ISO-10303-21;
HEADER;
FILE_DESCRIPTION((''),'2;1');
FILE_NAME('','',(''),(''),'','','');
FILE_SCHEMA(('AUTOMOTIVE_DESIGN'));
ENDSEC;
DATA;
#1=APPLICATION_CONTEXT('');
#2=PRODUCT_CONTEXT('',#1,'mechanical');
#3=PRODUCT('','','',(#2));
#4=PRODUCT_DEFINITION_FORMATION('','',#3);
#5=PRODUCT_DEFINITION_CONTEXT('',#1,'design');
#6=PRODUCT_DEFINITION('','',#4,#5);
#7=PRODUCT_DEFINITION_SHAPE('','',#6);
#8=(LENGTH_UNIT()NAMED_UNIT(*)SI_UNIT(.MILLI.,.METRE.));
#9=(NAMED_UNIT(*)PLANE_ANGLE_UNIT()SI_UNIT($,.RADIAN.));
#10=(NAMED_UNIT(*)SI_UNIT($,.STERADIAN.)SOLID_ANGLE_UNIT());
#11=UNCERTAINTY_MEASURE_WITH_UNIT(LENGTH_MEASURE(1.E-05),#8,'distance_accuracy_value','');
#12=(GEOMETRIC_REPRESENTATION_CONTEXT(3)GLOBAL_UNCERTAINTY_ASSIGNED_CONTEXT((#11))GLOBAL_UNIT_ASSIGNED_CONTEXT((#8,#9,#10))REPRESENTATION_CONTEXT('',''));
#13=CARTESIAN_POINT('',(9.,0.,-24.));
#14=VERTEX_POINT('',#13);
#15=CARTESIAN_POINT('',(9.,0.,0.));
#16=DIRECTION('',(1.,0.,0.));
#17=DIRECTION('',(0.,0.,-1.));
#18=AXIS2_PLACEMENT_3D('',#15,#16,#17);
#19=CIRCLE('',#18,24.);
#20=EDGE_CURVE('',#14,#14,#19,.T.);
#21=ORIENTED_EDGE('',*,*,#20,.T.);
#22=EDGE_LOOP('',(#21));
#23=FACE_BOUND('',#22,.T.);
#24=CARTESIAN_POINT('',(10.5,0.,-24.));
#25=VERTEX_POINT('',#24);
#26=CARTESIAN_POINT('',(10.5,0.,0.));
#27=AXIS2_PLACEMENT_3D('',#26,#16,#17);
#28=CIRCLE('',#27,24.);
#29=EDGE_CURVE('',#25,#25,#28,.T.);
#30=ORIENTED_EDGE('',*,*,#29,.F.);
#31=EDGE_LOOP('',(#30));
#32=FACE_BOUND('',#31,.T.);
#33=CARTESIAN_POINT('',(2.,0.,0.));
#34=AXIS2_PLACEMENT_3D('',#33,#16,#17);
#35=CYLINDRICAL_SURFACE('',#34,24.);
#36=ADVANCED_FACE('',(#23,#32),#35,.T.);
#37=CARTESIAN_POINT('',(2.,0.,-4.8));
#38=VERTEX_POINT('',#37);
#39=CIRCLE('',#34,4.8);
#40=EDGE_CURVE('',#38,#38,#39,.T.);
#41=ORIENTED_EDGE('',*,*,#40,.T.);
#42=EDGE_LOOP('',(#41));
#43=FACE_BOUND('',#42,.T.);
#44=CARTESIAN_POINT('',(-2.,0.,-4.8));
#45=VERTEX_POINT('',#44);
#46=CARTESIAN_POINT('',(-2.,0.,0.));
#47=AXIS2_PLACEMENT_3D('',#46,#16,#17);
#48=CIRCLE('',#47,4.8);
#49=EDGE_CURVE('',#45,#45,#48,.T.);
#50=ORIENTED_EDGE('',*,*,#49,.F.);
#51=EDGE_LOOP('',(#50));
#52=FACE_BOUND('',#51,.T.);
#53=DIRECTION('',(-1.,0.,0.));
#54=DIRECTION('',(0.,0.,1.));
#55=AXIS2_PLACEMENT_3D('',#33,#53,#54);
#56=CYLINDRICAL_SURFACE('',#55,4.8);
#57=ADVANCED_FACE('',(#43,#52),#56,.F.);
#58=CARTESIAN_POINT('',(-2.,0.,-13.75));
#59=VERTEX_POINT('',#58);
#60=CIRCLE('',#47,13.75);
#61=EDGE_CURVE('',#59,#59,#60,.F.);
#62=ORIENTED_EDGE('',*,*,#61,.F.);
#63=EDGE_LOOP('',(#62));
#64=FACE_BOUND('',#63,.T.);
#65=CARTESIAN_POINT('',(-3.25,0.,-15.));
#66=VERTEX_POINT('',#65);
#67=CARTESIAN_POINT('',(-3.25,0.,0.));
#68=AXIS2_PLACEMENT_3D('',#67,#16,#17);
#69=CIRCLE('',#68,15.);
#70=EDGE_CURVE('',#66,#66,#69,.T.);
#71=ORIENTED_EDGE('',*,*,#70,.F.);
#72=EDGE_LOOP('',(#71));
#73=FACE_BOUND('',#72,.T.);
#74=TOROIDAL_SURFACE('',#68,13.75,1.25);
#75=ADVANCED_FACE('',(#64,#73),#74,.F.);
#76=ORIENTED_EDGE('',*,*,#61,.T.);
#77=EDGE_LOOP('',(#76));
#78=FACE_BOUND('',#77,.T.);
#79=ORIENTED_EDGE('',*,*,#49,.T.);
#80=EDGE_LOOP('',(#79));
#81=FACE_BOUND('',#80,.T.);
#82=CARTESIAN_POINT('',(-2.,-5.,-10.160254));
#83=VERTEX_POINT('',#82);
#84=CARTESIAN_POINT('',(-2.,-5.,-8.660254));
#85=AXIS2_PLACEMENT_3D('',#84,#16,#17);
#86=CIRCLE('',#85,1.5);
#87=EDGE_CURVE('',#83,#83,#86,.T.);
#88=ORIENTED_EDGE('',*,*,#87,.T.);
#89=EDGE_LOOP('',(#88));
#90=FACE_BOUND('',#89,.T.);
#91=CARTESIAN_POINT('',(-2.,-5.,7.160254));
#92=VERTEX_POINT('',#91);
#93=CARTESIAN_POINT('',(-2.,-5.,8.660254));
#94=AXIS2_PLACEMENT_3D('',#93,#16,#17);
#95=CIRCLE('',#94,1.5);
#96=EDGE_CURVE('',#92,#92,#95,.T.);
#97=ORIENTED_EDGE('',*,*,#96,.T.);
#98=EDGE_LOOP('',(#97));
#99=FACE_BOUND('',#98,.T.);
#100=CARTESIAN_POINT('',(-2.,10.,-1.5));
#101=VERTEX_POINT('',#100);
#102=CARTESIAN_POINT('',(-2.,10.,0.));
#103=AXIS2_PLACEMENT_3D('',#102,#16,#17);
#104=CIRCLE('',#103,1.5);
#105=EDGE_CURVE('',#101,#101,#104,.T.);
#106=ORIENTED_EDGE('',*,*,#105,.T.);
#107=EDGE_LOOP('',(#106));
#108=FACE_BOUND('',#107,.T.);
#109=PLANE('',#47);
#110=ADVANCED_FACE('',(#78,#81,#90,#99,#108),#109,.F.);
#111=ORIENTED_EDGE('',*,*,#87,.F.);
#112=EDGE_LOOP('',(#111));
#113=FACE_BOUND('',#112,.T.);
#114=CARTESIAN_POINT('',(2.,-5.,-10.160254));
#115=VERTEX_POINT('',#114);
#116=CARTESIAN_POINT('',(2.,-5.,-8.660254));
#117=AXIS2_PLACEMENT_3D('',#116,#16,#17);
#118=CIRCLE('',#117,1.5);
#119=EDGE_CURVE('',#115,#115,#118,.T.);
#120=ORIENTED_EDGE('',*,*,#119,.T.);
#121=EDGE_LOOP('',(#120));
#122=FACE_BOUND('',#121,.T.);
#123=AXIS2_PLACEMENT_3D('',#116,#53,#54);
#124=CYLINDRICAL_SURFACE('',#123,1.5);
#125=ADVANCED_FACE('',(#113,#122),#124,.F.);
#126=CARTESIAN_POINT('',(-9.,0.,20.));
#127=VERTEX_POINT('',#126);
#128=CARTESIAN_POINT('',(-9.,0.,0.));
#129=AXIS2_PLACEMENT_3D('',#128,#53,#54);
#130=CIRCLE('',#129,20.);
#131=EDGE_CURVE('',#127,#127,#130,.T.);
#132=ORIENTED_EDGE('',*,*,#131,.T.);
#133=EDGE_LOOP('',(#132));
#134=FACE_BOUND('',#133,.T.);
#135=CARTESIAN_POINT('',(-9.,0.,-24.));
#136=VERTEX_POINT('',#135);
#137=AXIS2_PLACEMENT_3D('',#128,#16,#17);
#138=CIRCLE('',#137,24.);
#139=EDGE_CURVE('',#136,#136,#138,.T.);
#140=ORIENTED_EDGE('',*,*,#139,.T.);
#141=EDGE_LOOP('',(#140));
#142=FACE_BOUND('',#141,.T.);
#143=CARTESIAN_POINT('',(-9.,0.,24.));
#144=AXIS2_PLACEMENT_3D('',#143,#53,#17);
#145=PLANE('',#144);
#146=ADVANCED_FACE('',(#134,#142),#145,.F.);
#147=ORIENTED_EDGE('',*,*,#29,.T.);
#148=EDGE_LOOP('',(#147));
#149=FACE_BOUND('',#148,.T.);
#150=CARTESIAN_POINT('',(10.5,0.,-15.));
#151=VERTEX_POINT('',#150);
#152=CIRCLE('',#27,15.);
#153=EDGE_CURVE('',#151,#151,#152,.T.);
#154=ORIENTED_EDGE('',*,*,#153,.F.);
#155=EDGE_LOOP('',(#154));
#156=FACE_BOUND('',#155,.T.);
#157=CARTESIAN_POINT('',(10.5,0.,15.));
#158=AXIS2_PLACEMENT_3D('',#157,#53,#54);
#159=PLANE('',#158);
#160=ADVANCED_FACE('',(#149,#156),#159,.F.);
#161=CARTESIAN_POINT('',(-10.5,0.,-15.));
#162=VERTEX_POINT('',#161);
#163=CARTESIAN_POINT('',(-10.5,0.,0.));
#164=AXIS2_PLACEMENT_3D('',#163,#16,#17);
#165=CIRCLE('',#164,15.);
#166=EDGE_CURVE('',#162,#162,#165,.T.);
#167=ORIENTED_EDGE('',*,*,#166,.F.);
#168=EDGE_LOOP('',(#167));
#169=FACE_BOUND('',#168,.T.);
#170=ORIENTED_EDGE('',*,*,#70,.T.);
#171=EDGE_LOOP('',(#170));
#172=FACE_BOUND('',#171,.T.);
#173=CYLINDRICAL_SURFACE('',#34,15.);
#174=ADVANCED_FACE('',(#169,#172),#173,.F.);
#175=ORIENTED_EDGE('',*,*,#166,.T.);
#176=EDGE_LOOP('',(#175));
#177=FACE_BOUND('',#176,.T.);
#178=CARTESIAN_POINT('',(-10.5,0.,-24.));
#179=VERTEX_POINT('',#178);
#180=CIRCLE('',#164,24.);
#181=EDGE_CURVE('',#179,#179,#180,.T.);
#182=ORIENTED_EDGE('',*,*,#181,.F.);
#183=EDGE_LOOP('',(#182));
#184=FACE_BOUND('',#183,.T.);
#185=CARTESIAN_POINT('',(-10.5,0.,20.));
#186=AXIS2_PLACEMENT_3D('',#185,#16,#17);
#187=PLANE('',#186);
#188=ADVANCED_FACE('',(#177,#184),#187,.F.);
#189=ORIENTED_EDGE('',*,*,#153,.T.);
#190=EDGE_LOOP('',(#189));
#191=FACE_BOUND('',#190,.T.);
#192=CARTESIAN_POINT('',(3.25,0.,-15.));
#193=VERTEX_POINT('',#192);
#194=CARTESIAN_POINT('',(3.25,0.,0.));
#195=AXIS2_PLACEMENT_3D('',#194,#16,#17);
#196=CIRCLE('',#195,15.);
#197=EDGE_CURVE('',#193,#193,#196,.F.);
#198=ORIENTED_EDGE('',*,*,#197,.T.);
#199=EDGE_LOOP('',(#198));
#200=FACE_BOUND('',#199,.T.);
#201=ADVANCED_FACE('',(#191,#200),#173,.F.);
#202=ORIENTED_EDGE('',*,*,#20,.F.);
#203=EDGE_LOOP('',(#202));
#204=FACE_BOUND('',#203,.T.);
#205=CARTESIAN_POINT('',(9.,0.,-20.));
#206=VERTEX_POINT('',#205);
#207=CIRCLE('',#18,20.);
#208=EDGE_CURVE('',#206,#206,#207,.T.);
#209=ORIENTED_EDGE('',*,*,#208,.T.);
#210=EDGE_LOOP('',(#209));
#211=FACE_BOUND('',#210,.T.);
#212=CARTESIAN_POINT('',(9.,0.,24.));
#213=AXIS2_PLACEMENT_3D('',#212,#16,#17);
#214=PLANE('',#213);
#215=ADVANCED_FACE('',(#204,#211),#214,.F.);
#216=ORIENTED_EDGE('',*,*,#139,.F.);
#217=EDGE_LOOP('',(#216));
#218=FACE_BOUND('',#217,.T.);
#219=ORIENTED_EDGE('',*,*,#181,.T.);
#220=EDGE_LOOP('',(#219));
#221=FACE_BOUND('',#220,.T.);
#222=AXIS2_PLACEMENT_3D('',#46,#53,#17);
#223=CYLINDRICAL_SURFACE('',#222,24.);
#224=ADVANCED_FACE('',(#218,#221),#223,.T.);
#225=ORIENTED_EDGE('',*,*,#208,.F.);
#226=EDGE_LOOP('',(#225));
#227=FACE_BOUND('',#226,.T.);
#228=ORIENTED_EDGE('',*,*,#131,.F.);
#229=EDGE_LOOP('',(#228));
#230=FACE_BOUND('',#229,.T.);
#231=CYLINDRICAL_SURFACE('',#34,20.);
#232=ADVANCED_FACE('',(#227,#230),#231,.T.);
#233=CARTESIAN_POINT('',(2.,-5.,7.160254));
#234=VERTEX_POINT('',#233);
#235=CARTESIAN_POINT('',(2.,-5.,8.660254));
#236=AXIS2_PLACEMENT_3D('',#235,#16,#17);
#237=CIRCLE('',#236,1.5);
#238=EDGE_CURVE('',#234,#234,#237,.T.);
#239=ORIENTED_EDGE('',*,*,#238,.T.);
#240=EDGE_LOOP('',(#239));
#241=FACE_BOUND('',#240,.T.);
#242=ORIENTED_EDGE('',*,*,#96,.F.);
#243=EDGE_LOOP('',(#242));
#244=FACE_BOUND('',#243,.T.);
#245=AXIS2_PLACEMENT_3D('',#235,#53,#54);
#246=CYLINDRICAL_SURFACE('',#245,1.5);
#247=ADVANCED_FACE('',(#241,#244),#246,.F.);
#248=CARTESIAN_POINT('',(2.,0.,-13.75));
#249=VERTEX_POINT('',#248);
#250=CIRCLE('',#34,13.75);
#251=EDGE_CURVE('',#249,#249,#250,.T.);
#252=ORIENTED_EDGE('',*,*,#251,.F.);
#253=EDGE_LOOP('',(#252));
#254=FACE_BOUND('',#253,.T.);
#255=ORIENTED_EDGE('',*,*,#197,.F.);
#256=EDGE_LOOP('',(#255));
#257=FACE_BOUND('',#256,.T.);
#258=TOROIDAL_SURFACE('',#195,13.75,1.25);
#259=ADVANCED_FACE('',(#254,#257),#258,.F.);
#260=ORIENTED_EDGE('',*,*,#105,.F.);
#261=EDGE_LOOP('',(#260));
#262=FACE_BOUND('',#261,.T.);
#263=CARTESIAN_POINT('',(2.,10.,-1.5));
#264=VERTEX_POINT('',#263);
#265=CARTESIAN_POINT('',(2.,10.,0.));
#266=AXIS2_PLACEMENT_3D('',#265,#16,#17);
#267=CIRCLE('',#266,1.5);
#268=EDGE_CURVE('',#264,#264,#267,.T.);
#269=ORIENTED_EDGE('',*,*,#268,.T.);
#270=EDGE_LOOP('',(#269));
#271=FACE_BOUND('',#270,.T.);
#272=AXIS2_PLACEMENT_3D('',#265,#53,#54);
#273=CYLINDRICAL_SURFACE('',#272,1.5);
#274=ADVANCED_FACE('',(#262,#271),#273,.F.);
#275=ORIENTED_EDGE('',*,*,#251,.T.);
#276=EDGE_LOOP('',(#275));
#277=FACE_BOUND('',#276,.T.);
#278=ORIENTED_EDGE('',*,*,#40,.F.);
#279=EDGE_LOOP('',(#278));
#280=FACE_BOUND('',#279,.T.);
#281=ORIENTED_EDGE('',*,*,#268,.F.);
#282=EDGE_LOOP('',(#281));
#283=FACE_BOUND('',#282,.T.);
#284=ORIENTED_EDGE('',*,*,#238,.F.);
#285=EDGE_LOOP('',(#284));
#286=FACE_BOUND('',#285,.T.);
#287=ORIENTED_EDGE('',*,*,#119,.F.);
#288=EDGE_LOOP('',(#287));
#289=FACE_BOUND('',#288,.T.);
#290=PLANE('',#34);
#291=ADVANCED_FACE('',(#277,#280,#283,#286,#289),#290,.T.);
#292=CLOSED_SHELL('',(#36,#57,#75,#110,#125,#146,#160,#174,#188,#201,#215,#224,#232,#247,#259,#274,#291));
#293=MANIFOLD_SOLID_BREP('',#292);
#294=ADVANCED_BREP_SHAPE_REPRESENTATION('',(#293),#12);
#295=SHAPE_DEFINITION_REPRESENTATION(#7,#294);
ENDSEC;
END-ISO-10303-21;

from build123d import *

# Parameters (mm, degrees)
SKETCH1_R           = 15
SKETCH1_R_2         = 4.8
SKETCH1_R_3         = 1.5
BOSS_EXTRUDE1_DEPTH = 2
SKETCH7_W           = 1.5
SKETCH7_H           = 4
FILLET1_R           = 1.25


with BuildPart() as part:
    # Sketch1 → Boss-Extrude1 (new, symmetric)
    with BuildSketch(Plane.YZ):
        with Locations(Location((0, 0, 0), (0, 0, 270))):
            Circle(SKETCH1_R)
        with Locations(Location((0, 0, 0), (0, 0, 270))):
            Circle(SKETCH1_R_2, mode=Mode.SUBTRACT)
        with Locations(Location((10, 0, 0), (0, 0, 270))):
            Circle(SKETCH1_R_3, mode=Mode.SUBTRACT)
        with Locations(Location((-5, -8.660254038, 0), (0, 0, 270))):
            Circle(SKETCH1_R_3, mode=Mode.SUBTRACT)
        with Locations(Location((-5, 8.660254038, 0), (0, 0, 270))):
            Circle(SKETCH1_R_3, mode=Mode.SUBTRACT)
    extrude(amount=BOSS_EXTRUDE1_DEPTH, both=True)

    # Sketch2 → Revolve1 (revolve)
    with BuildSketch(Plane(origin=(0, 0, 0), x_dir=(-1, 0, 0), z_dir=(0, 1, 0)), mode=Mode.PRIVATE) as revolve1_sk:
        Polygon((-2, 15), (-10.5, 15), (-10.5, 20), (10.5, 20), (10.5, 15), (2, 15), align=None)
    revolve(revolve1_sk.sketch.rotate(Axis((2, 0, 0), (-1, 0, 0)), 180), axis=Axis((2, 0, 0), (-1, 0, 0)))

    # Sketch7 → Revolve2 (revolve)
    with BuildSketch(Plane(origin=(0, 0, 0), x_dir=(-1, 0, 0), z_dir=(0, 1, 0)), mode=Mode.PRIVATE) as revolve2_sk:
        with Locations((-9.75, 22)):
            Rectangle(SKETCH7_W, SKETCH7_H)
    revolve2 = revolve(revolve2_sk.sketch.rotate(Axis((2, 0, 0), (-1, 0, 0)), 180), axis=Axis((2, 0, 0), (-1, 0, 0)))

    # Mirror1: Revolve2 across plane
    add(revolve2.mirror(Plane(origin=(0, 0, 0), x_dir=(0, 0, 1), z_dir=(1, 0, 0))))

    # Fillet1
    fillet1_edges = [part.edges().sort_by_distance(p)[0] for p in [
        (-2, 0, 15),
        (2, 0, 15),
    ]]
    fillet(fillet1_edges, radius=FILLET1_R)


solid = part.part
